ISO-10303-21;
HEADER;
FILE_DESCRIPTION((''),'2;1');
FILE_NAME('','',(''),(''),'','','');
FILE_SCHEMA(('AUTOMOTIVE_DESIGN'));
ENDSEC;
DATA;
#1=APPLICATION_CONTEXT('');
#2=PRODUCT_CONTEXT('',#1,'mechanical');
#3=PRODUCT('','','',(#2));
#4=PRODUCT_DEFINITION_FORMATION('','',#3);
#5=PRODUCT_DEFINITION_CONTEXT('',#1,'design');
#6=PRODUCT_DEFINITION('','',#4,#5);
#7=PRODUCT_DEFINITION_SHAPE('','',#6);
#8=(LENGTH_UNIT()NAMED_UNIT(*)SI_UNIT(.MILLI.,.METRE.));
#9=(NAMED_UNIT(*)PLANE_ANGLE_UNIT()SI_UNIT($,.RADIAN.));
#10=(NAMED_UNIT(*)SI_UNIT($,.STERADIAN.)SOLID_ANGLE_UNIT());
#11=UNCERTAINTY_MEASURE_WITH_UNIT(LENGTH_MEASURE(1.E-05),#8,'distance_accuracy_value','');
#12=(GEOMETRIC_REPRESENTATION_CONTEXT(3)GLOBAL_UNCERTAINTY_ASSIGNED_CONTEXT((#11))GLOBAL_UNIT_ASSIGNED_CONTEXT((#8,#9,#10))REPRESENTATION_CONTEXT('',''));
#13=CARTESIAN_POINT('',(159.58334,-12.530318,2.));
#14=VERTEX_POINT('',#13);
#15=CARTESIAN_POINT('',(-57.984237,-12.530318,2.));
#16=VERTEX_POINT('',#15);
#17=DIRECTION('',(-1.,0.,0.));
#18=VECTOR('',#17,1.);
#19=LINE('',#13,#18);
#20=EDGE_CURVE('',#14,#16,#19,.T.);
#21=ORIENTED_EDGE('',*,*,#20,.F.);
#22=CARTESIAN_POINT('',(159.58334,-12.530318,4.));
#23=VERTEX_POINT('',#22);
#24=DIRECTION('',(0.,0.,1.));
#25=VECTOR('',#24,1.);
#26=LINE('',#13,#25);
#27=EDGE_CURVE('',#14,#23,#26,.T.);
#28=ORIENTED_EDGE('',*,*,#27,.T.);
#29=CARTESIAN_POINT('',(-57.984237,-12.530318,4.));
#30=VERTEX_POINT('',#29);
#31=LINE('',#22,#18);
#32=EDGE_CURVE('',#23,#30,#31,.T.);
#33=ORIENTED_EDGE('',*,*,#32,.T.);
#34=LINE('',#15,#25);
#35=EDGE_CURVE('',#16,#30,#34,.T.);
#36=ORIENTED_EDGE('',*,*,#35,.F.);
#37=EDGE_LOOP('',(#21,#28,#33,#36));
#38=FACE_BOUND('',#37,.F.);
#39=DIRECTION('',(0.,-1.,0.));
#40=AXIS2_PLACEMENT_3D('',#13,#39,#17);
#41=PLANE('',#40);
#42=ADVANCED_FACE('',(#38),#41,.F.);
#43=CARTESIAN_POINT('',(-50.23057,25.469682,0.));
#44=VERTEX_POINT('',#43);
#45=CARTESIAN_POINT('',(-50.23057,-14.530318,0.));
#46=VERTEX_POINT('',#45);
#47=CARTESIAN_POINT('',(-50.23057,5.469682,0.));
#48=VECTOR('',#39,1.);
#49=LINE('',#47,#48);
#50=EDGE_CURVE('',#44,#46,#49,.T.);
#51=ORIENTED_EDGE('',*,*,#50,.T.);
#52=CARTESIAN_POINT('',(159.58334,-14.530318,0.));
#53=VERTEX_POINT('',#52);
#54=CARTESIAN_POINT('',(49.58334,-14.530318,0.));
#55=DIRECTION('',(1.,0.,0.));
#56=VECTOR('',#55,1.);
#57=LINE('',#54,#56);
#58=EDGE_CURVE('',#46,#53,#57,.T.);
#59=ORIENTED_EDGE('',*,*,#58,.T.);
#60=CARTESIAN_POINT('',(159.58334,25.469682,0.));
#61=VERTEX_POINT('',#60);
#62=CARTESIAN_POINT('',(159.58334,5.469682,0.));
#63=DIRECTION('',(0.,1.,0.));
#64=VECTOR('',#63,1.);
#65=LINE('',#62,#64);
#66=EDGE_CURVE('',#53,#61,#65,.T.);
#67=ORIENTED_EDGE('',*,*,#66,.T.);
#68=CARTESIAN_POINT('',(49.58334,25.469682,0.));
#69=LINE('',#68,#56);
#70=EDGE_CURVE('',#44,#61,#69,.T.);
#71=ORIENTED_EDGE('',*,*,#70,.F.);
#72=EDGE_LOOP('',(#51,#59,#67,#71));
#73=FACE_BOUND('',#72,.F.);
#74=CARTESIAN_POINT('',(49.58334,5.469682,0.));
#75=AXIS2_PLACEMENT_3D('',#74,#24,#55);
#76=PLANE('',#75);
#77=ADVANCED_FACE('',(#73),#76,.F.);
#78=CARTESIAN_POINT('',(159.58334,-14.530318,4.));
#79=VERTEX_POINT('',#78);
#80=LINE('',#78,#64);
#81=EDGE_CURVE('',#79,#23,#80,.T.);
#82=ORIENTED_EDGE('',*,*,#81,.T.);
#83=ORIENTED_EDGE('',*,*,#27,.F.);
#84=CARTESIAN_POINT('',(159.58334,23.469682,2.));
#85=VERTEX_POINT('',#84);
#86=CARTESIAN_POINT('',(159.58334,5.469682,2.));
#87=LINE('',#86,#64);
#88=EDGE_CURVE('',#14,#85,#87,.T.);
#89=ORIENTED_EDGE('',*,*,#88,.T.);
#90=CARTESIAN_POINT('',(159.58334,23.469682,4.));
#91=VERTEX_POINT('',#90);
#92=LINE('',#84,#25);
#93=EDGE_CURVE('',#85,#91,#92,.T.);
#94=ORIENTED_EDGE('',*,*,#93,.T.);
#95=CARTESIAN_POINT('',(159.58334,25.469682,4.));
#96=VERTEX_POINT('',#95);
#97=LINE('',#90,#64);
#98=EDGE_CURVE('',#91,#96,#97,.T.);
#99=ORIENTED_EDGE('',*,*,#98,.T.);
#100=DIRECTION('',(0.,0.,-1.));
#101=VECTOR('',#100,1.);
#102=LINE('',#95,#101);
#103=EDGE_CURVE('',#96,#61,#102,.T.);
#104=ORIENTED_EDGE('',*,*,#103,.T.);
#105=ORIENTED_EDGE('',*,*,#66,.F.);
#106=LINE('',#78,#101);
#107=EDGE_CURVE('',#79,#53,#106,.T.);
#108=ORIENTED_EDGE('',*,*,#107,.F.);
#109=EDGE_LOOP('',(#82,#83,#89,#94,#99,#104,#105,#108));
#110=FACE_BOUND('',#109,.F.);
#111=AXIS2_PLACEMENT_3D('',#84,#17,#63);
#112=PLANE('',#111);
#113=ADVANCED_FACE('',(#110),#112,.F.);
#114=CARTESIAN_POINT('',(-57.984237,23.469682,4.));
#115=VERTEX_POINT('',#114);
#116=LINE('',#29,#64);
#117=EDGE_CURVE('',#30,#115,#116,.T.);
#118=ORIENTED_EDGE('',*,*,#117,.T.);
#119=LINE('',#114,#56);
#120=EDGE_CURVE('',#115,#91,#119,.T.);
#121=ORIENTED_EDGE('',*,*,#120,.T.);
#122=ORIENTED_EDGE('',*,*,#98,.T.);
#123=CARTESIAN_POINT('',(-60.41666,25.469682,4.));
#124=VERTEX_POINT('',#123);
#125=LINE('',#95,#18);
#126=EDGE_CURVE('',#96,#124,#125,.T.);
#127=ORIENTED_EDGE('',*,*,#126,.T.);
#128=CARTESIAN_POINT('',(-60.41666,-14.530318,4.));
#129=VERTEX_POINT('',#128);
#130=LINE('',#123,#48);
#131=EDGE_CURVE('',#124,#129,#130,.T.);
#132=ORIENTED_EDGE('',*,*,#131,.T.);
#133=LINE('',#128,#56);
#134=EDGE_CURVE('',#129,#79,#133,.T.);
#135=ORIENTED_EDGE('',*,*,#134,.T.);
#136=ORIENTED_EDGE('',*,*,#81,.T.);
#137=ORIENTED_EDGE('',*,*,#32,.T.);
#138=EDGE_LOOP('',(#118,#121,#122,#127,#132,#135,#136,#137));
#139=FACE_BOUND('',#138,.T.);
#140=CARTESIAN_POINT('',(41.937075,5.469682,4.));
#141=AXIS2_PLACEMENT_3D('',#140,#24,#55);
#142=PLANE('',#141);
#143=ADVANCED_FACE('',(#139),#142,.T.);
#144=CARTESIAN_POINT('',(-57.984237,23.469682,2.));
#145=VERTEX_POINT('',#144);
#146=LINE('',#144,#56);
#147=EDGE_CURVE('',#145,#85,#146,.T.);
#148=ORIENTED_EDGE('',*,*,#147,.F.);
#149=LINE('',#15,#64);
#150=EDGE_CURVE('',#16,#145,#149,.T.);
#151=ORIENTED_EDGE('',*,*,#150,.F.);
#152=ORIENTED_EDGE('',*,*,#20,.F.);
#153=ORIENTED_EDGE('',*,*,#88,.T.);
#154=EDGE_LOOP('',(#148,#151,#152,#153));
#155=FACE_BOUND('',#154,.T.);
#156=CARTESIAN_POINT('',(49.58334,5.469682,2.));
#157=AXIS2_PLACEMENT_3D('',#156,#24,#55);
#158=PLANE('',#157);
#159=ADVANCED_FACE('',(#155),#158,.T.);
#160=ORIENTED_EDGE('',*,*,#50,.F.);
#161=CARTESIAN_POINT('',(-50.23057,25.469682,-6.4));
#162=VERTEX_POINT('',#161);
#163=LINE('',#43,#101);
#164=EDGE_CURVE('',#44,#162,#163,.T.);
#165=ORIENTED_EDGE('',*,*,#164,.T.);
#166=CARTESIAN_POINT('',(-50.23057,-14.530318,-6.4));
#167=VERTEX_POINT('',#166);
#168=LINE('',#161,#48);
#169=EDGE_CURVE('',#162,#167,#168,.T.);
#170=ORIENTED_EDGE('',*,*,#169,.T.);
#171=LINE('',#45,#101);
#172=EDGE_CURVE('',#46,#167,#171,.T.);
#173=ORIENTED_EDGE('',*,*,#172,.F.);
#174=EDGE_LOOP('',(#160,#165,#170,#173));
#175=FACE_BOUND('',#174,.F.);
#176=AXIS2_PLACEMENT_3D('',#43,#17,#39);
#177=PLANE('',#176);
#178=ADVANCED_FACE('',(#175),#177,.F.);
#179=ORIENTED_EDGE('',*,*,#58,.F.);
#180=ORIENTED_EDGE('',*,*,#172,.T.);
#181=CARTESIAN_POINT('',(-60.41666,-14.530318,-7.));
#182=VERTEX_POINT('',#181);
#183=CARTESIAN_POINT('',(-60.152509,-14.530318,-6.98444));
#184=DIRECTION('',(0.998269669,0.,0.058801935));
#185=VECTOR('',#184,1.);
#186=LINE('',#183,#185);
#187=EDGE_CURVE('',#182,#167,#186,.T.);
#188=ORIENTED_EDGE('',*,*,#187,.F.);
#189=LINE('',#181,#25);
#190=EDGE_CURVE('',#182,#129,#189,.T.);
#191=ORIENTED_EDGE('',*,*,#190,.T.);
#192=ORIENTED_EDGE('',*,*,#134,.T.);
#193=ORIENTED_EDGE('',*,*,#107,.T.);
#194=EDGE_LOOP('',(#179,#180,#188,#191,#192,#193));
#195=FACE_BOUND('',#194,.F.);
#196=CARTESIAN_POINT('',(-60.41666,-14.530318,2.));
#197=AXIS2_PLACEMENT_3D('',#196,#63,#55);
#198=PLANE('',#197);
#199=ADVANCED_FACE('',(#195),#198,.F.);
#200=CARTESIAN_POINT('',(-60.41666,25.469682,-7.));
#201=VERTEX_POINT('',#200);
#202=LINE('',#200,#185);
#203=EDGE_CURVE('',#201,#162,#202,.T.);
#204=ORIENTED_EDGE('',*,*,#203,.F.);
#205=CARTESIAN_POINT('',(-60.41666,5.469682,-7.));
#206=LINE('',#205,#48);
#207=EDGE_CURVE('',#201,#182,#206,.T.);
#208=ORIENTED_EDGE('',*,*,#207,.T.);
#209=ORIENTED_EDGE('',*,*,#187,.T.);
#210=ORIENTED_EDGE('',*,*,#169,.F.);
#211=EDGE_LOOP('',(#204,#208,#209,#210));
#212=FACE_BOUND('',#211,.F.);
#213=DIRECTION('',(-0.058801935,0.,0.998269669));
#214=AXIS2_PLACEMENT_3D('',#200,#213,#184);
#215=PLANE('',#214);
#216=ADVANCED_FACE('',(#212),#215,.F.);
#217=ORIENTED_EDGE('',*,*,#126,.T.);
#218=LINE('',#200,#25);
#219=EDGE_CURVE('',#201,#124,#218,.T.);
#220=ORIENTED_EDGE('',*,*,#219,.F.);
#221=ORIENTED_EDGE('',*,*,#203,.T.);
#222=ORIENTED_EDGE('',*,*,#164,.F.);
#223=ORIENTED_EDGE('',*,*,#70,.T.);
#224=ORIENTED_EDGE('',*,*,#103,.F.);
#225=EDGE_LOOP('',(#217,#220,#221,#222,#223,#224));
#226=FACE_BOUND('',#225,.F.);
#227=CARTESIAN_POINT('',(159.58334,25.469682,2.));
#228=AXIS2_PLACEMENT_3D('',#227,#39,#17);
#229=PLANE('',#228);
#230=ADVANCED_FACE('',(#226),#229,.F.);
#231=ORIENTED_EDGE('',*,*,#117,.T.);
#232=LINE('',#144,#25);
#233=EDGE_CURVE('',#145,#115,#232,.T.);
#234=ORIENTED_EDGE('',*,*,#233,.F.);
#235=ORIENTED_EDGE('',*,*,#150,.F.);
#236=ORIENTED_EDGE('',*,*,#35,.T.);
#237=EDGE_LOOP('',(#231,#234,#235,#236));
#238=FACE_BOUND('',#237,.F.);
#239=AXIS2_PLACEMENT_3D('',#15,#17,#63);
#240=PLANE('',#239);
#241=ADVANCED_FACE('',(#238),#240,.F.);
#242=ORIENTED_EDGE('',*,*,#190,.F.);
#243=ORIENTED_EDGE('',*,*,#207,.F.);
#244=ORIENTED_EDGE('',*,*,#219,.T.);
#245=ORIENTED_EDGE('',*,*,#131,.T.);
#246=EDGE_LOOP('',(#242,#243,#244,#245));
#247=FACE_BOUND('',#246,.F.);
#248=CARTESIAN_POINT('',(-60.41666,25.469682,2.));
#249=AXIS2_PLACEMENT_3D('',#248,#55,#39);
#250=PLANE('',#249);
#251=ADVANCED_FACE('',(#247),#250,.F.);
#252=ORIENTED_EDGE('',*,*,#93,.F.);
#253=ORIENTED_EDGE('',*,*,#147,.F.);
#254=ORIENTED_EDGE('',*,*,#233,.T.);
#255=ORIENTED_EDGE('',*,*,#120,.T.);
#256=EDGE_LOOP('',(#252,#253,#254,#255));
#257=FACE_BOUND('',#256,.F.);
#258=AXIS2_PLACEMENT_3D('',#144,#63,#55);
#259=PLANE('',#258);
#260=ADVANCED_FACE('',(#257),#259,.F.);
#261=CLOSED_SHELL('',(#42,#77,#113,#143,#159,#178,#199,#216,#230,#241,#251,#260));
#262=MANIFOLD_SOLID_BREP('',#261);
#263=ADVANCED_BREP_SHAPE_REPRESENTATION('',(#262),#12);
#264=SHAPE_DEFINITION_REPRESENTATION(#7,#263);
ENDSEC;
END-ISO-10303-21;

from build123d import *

# Parameters (mm, degrees)
F0_W     = 220
F0_H     = 40
F1_DEPTH = 2
F2_W     = 10.18609
F2_H     = 40
F3_DEPTH = 7
F5_DEPTH = 2
F7_DEPTH = 40.001


with BuildPart() as f1:
    # F0 (on Top) → F1 (new body)
    with BuildSketch(Plane.XY):
        with Locations((49.58334, 5.469682)):
            Rectangle(F0_W, F0_H)
    extrude(amount=F1_DEPTH)

    # F2 (on face) → F3 (join)
    with BuildSketch(Plane(origin=(0, 0, 0), x_dir=(1, 0, 0), z_dir=(0, 0, -1))):
        with Locations((-55.323615, -5.469682)):
            Rectangle(F2_W, F2_H)
    extrude(amount=F3_DEPTH)

    # F4 (on face) → F5 (join)
    with BuildSketch(Plane.XY.offset(2)):
        Polygon((159.58334, 25.469682), (-60.41666, 25.469682), (-60.41666, -14.530318), (159.58334, -14.530318), (159.58334, -12.530318), (-57.984237, -12.530318), (-57.984237, 23.469682), (159.58334, 23.469682), align=None)
    extrude(amount=F5_DEPTH)

    # F6 (on face) → F7 (cut, through all)
    with BuildSketch(Plane(origin=(0, 25.469682, 0), x_dir=(-1, 0, 0), z_dir=(0, 1, 0))):
        Polygon((50.23057, -6.4), (50.23057, -7), (60.41666, -7), align=None)
    extrude(amount=-F7_DEPTH, mode=Mode.SUBTRACT)


solid = f1.part
